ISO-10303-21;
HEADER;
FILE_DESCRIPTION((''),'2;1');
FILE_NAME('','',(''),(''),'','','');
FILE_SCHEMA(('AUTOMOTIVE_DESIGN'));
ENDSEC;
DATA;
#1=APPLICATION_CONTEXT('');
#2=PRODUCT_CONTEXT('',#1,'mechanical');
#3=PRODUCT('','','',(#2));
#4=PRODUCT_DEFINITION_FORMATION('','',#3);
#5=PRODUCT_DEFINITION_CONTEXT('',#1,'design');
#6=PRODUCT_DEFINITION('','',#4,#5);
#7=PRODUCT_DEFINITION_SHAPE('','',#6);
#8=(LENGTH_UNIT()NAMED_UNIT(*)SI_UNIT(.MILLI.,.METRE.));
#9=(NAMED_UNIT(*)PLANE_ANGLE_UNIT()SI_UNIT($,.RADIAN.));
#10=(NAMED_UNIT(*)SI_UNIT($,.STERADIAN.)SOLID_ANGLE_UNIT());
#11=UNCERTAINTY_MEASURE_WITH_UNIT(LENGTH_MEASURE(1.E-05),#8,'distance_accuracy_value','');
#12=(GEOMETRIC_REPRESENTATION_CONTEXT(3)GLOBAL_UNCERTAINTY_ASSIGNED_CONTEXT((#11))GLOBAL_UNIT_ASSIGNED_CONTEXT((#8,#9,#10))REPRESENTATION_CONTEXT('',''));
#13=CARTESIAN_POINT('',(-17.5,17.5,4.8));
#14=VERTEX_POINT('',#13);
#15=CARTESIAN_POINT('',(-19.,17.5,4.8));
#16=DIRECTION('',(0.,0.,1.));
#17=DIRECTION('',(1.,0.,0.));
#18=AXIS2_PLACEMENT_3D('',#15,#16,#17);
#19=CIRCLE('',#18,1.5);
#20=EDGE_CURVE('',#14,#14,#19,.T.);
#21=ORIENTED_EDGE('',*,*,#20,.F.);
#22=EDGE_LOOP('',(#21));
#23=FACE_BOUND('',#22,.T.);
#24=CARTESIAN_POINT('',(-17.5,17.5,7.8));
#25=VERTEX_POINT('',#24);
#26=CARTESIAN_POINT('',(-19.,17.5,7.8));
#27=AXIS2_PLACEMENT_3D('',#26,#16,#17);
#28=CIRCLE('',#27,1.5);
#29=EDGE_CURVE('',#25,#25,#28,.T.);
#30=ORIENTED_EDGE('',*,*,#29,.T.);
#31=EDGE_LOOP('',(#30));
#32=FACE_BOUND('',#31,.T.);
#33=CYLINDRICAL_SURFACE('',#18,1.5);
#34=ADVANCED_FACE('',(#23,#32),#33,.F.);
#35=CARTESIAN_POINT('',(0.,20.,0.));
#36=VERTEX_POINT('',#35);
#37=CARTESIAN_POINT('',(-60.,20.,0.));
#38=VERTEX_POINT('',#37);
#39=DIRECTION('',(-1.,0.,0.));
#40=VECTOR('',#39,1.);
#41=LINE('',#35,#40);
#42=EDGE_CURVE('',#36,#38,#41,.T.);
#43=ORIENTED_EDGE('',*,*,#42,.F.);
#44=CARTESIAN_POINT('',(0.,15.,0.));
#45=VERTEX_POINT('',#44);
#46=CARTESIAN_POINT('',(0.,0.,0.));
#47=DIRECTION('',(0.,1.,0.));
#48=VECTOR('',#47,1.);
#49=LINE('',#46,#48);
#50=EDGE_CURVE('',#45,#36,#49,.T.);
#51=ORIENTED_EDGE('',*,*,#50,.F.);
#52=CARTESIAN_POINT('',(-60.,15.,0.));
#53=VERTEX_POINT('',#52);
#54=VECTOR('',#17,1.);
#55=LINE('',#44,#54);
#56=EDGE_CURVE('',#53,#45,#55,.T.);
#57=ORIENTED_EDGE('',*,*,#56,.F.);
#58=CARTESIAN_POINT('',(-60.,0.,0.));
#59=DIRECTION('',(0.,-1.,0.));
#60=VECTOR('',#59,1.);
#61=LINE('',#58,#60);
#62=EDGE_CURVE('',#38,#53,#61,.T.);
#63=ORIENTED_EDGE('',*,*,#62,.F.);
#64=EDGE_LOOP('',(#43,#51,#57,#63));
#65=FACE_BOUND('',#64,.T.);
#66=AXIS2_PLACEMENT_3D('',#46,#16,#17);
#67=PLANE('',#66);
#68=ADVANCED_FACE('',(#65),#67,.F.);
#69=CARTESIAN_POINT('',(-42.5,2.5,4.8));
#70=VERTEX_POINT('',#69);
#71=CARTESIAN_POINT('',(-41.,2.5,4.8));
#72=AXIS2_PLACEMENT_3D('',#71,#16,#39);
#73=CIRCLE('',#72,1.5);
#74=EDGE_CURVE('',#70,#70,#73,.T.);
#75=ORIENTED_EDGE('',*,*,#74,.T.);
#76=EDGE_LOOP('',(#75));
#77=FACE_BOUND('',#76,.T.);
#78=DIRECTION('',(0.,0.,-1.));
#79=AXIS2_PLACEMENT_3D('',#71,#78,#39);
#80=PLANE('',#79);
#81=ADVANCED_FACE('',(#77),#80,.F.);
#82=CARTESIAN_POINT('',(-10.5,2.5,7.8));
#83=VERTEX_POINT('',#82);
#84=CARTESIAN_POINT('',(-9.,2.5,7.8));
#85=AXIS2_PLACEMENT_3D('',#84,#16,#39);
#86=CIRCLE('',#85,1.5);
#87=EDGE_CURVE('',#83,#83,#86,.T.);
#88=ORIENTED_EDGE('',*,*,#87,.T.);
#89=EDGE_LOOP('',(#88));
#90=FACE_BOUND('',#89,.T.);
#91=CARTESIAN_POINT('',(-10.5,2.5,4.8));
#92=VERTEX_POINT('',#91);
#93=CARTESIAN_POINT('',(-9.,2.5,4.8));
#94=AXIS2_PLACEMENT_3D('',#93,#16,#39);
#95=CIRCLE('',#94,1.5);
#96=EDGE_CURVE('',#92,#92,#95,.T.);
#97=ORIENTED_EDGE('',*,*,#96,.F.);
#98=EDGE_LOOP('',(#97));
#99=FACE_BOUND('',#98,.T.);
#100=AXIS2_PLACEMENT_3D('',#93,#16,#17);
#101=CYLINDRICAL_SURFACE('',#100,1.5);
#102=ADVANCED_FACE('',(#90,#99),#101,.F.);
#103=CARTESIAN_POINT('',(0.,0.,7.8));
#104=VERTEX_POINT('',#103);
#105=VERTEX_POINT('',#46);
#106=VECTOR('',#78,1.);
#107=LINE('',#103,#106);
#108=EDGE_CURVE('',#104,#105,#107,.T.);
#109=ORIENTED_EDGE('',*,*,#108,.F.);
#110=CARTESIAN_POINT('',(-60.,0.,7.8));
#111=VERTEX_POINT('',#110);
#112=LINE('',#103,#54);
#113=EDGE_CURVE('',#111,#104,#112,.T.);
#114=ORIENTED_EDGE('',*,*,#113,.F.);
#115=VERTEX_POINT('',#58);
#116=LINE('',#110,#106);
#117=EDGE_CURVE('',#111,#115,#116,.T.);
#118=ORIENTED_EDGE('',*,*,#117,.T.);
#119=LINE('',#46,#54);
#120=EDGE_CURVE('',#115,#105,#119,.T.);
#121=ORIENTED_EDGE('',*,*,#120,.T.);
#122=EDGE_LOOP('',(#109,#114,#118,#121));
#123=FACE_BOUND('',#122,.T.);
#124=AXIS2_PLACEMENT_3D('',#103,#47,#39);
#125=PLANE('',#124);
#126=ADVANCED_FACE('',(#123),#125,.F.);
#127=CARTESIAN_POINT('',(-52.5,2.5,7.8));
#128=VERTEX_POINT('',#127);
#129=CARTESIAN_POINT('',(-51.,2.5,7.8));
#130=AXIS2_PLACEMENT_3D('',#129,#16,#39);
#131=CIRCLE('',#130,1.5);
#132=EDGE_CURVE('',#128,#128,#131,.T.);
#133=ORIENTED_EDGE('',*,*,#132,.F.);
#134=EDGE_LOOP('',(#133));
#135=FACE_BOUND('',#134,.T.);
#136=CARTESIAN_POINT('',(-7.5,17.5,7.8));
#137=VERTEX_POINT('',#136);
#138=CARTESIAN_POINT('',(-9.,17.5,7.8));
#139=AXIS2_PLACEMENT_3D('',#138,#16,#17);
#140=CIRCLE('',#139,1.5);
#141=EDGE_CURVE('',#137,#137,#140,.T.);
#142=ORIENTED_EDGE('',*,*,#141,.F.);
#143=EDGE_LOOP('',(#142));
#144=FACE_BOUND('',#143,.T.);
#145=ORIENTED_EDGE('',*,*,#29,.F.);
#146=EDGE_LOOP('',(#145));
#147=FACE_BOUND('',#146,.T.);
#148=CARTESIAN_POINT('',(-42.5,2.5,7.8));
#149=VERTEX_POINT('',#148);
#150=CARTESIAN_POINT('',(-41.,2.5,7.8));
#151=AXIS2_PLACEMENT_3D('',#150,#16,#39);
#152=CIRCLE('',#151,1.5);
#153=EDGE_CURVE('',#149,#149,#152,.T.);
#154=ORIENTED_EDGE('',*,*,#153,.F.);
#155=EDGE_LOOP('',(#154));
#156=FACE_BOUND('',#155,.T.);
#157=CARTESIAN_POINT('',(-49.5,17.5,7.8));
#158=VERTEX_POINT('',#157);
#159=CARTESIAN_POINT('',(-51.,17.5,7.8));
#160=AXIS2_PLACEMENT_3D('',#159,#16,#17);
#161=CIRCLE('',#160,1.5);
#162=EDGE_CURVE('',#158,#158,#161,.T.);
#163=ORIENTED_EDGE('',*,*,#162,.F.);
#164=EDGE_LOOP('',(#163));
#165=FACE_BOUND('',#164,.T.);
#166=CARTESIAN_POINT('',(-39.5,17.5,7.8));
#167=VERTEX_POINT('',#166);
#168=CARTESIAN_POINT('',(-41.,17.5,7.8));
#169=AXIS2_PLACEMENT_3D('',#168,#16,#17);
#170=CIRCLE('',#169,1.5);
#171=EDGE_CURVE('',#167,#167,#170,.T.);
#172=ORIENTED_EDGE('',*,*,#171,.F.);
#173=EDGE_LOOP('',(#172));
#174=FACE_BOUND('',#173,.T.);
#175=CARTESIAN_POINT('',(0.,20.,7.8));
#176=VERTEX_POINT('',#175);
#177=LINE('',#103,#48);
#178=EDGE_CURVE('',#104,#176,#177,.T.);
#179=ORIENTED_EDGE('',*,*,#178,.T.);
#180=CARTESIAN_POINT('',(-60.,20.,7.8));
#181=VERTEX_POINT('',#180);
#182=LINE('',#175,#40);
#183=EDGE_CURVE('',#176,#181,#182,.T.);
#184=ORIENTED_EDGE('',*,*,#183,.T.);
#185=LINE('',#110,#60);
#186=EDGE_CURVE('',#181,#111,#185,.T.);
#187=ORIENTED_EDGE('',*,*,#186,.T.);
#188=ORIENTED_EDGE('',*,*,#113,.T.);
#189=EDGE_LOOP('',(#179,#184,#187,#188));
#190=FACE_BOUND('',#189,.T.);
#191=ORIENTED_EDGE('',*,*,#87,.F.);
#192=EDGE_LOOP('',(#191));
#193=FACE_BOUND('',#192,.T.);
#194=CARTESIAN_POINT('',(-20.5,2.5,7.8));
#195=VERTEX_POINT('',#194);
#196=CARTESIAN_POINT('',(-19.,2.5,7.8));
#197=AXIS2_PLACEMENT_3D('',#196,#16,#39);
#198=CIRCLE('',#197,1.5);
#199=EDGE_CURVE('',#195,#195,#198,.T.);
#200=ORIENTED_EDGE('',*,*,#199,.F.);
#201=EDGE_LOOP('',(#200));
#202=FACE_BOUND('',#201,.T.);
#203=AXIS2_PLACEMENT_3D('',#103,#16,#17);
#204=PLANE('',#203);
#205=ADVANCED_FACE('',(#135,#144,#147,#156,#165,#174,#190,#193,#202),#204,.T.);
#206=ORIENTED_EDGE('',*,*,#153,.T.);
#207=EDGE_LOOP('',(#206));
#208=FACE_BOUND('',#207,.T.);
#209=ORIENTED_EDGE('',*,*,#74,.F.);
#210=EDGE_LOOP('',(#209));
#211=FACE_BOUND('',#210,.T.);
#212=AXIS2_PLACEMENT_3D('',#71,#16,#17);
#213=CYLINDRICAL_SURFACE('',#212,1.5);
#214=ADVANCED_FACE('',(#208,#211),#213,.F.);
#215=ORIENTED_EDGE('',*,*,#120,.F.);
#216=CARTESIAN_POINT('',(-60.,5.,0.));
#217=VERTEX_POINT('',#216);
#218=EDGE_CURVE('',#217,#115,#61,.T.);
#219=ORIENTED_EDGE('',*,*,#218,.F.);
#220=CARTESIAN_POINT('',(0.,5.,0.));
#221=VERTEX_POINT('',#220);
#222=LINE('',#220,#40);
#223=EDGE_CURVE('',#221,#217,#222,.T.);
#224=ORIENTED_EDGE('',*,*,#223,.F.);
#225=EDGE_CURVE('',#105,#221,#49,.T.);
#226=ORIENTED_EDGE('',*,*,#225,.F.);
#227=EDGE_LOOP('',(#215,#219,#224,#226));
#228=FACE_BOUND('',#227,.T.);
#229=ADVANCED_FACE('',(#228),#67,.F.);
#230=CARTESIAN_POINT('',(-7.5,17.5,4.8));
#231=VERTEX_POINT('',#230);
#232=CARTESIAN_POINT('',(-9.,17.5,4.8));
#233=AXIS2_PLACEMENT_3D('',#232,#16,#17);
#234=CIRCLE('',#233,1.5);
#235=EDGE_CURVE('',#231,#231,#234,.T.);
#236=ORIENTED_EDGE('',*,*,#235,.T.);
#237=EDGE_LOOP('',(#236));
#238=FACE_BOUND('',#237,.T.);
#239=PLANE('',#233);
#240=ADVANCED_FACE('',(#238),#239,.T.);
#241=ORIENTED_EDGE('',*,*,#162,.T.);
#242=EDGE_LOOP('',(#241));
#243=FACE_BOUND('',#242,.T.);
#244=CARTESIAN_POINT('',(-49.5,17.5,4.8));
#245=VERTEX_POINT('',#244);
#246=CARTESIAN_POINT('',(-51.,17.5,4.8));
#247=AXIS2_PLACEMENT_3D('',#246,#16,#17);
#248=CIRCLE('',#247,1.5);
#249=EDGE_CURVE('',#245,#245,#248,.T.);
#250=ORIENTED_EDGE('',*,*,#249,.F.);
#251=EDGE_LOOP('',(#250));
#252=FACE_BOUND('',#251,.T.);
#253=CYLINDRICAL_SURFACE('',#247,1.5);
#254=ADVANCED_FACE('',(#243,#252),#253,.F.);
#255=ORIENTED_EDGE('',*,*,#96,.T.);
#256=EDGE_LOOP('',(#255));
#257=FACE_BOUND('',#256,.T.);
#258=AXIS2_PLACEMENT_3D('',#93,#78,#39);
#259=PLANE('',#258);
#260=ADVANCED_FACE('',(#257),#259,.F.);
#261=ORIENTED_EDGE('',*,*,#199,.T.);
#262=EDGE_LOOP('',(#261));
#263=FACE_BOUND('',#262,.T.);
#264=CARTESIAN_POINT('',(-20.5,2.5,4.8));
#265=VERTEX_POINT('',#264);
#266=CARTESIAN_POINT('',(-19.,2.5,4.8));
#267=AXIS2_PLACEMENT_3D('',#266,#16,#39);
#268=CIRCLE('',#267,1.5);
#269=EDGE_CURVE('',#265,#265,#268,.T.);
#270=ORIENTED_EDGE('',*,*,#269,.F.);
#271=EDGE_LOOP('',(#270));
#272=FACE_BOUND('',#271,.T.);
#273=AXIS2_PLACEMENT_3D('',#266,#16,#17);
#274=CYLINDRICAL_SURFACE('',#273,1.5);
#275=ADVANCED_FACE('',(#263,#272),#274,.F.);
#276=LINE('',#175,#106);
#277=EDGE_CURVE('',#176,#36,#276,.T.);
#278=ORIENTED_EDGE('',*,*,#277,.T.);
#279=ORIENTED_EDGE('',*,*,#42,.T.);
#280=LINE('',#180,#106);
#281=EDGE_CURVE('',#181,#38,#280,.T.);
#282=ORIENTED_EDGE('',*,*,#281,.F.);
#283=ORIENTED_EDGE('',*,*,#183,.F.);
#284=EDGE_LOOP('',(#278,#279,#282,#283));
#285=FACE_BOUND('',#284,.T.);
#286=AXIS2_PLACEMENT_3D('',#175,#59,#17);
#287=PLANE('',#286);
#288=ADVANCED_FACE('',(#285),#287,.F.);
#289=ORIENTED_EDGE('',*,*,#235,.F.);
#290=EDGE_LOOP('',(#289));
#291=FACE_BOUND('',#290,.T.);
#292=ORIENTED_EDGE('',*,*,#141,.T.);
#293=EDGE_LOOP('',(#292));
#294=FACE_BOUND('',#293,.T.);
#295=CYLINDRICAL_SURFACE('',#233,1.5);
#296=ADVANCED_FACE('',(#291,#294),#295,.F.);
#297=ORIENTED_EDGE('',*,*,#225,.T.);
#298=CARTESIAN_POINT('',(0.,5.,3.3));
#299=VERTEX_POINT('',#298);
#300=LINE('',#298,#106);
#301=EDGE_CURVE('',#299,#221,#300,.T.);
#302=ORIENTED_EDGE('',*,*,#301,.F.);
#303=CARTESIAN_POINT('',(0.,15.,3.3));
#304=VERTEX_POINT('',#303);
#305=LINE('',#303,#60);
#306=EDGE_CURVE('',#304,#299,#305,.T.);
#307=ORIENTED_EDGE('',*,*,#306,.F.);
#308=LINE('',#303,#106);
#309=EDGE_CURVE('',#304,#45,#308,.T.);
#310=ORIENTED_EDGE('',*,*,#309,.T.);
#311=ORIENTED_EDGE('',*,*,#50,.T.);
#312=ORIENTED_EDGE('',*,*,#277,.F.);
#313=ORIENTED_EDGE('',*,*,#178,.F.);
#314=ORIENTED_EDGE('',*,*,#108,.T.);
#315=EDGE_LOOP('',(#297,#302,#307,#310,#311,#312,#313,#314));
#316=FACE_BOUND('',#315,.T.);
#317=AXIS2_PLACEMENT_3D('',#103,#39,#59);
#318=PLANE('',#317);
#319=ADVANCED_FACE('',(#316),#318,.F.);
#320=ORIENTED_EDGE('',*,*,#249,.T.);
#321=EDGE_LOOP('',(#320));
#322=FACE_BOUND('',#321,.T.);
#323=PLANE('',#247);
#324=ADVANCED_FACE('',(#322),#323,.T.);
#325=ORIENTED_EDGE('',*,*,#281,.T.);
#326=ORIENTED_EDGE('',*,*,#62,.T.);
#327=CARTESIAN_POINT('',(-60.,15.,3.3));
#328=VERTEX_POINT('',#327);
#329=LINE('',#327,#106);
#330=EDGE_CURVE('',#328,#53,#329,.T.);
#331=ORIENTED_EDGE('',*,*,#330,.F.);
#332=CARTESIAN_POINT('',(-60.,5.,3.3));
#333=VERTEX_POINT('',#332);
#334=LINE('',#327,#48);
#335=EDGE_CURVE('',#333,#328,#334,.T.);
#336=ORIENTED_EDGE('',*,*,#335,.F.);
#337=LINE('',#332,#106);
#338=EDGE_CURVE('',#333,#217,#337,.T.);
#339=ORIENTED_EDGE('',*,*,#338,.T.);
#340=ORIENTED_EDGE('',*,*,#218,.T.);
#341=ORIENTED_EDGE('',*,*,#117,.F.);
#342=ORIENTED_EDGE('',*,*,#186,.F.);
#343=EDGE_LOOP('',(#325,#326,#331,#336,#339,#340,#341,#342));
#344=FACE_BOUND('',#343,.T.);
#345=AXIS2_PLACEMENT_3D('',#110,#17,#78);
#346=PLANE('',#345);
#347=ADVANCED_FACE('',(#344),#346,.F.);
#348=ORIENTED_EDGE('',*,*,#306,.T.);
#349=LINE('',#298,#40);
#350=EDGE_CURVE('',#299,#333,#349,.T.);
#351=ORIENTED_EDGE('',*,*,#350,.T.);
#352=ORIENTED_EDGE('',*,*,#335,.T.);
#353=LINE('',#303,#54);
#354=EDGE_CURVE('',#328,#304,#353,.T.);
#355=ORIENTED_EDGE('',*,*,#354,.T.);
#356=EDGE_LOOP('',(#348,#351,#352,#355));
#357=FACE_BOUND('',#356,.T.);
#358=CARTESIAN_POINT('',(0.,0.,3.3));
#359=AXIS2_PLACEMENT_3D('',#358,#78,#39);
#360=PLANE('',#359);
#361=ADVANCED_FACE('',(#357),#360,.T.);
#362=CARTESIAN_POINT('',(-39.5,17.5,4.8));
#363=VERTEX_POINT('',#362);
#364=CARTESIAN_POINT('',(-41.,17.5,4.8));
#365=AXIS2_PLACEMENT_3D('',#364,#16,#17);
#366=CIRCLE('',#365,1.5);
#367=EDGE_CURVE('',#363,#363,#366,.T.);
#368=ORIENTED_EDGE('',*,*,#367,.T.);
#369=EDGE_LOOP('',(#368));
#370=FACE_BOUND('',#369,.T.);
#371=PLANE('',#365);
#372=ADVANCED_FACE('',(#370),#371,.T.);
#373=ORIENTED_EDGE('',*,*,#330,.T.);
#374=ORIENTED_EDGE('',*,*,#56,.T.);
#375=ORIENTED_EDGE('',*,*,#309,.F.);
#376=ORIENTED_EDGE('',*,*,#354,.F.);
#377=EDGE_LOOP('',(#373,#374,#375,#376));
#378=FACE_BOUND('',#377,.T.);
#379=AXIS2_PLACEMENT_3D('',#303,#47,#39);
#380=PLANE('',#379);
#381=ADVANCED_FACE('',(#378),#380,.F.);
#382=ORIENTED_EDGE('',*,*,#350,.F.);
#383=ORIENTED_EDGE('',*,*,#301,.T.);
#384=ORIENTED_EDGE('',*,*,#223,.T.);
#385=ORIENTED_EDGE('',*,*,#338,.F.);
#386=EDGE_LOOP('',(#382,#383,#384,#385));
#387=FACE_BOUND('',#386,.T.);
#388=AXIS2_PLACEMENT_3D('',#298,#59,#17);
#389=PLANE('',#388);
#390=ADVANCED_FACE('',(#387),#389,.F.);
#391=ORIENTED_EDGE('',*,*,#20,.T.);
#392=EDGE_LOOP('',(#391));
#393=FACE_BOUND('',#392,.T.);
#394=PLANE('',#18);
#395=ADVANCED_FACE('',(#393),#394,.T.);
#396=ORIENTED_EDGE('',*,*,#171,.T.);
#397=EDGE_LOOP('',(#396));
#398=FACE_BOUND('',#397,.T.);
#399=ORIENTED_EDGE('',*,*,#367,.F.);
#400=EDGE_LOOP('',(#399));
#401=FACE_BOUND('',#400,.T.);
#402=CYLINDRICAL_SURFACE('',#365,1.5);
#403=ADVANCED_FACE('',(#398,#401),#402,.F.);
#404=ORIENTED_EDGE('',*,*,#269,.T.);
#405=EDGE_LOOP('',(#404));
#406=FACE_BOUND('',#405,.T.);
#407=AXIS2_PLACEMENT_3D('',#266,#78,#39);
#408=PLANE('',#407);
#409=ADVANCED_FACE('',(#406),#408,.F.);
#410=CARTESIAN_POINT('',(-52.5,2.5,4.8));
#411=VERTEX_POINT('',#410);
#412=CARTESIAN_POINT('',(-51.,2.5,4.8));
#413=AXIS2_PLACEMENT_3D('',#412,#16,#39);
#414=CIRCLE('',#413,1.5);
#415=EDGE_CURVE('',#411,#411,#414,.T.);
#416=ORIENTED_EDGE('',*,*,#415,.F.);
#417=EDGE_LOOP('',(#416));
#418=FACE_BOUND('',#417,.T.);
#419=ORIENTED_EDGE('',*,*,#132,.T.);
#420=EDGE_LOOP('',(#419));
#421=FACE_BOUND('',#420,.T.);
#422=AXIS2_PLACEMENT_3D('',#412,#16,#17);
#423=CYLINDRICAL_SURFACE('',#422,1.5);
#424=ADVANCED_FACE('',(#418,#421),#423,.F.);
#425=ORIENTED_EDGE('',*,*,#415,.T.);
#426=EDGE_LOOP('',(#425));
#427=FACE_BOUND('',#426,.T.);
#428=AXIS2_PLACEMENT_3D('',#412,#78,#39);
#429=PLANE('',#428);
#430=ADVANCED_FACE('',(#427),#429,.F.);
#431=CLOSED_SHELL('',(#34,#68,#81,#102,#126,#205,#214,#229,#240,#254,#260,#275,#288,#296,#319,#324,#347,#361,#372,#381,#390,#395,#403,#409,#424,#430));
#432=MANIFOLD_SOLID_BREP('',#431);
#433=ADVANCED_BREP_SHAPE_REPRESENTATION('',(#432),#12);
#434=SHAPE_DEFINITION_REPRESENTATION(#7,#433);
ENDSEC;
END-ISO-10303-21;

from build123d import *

# Parameters (mm, degrees)
ESQUISSE1_W             = 60
ESQUISSE1_H             = 20
BOSS_EXTRU_1_DEPTH      = 7.8
ESQUISSE2_W             = 60
ESQUISSE2_H             = 10
ENL_V_MAT_EXTRU_1_DEPTH = 3.3
ESQUISSE4_R             = 1.5
ENL_V_MAT_EXTRU_2_DEPTH = 3


with BuildPart() as part:
    # Esquisse1 → Boss.-Extru.1 (new body)
    with BuildSketch(Plane.XY):
        with Locations((-30, 10)):
            Rectangle(ESQUISSE1_W, ESQUISSE1_H)
    extrude(amount=BOSS_EXTRU_1_DEPTH)

    # Esquisse2 → Enlèv. mat.-Extru.1 (cut)
    with BuildSketch(Plane(origin=(0, 0, 0), x_dir=(-1, 0, 0), z_dir=(0, 0, -1))):
        with Locations((30, 10)):
            Rectangle(ESQUISSE2_W, ESQUISSE2_H)
    extrude(amount=-ENL_V_MAT_EXTRU_1_DEPTH, mode=Mode.SUBTRACT)

    # Esquisse4 → Enlèv. mat.-Extru.2 (cut)
    with BuildSketch(Plane.XY.offset(7.8)):
        with Locations((-51, 17.5)):
            Circle(ESQUISSE4_R)
        with Locations((-41, 17.5)):
            Circle(ESQUISSE4_R)
        with Locations((-19, 17.5)):
            Circle(ESQUISSE4_R)
        with Locations((-9, 17.5)):
            Circle(ESQUISSE4_R)
        with Locations(Location((-9, 2.5, 0), (0, 0, 180))):
            Circle(ESQUISSE4_R)
        with Locations(Location((-19, 2.5, 0), (0, 0, 180))):
            Circle(ESQUISSE4_R)
        with Locations(Location((-41, 2.5, 0), (0, 0, 180))):
            Circle(ESQUISSE4_R)
        with Locations(Location((-51, 2.5, 0), (0, 0, 180))):
            Circle(ESQUISSE4_R)
    extrude(amount=-ENL_V_MAT_EXTRU_2_DEPTH, mode=Mode.SUBTRACT)


solid = part.part
